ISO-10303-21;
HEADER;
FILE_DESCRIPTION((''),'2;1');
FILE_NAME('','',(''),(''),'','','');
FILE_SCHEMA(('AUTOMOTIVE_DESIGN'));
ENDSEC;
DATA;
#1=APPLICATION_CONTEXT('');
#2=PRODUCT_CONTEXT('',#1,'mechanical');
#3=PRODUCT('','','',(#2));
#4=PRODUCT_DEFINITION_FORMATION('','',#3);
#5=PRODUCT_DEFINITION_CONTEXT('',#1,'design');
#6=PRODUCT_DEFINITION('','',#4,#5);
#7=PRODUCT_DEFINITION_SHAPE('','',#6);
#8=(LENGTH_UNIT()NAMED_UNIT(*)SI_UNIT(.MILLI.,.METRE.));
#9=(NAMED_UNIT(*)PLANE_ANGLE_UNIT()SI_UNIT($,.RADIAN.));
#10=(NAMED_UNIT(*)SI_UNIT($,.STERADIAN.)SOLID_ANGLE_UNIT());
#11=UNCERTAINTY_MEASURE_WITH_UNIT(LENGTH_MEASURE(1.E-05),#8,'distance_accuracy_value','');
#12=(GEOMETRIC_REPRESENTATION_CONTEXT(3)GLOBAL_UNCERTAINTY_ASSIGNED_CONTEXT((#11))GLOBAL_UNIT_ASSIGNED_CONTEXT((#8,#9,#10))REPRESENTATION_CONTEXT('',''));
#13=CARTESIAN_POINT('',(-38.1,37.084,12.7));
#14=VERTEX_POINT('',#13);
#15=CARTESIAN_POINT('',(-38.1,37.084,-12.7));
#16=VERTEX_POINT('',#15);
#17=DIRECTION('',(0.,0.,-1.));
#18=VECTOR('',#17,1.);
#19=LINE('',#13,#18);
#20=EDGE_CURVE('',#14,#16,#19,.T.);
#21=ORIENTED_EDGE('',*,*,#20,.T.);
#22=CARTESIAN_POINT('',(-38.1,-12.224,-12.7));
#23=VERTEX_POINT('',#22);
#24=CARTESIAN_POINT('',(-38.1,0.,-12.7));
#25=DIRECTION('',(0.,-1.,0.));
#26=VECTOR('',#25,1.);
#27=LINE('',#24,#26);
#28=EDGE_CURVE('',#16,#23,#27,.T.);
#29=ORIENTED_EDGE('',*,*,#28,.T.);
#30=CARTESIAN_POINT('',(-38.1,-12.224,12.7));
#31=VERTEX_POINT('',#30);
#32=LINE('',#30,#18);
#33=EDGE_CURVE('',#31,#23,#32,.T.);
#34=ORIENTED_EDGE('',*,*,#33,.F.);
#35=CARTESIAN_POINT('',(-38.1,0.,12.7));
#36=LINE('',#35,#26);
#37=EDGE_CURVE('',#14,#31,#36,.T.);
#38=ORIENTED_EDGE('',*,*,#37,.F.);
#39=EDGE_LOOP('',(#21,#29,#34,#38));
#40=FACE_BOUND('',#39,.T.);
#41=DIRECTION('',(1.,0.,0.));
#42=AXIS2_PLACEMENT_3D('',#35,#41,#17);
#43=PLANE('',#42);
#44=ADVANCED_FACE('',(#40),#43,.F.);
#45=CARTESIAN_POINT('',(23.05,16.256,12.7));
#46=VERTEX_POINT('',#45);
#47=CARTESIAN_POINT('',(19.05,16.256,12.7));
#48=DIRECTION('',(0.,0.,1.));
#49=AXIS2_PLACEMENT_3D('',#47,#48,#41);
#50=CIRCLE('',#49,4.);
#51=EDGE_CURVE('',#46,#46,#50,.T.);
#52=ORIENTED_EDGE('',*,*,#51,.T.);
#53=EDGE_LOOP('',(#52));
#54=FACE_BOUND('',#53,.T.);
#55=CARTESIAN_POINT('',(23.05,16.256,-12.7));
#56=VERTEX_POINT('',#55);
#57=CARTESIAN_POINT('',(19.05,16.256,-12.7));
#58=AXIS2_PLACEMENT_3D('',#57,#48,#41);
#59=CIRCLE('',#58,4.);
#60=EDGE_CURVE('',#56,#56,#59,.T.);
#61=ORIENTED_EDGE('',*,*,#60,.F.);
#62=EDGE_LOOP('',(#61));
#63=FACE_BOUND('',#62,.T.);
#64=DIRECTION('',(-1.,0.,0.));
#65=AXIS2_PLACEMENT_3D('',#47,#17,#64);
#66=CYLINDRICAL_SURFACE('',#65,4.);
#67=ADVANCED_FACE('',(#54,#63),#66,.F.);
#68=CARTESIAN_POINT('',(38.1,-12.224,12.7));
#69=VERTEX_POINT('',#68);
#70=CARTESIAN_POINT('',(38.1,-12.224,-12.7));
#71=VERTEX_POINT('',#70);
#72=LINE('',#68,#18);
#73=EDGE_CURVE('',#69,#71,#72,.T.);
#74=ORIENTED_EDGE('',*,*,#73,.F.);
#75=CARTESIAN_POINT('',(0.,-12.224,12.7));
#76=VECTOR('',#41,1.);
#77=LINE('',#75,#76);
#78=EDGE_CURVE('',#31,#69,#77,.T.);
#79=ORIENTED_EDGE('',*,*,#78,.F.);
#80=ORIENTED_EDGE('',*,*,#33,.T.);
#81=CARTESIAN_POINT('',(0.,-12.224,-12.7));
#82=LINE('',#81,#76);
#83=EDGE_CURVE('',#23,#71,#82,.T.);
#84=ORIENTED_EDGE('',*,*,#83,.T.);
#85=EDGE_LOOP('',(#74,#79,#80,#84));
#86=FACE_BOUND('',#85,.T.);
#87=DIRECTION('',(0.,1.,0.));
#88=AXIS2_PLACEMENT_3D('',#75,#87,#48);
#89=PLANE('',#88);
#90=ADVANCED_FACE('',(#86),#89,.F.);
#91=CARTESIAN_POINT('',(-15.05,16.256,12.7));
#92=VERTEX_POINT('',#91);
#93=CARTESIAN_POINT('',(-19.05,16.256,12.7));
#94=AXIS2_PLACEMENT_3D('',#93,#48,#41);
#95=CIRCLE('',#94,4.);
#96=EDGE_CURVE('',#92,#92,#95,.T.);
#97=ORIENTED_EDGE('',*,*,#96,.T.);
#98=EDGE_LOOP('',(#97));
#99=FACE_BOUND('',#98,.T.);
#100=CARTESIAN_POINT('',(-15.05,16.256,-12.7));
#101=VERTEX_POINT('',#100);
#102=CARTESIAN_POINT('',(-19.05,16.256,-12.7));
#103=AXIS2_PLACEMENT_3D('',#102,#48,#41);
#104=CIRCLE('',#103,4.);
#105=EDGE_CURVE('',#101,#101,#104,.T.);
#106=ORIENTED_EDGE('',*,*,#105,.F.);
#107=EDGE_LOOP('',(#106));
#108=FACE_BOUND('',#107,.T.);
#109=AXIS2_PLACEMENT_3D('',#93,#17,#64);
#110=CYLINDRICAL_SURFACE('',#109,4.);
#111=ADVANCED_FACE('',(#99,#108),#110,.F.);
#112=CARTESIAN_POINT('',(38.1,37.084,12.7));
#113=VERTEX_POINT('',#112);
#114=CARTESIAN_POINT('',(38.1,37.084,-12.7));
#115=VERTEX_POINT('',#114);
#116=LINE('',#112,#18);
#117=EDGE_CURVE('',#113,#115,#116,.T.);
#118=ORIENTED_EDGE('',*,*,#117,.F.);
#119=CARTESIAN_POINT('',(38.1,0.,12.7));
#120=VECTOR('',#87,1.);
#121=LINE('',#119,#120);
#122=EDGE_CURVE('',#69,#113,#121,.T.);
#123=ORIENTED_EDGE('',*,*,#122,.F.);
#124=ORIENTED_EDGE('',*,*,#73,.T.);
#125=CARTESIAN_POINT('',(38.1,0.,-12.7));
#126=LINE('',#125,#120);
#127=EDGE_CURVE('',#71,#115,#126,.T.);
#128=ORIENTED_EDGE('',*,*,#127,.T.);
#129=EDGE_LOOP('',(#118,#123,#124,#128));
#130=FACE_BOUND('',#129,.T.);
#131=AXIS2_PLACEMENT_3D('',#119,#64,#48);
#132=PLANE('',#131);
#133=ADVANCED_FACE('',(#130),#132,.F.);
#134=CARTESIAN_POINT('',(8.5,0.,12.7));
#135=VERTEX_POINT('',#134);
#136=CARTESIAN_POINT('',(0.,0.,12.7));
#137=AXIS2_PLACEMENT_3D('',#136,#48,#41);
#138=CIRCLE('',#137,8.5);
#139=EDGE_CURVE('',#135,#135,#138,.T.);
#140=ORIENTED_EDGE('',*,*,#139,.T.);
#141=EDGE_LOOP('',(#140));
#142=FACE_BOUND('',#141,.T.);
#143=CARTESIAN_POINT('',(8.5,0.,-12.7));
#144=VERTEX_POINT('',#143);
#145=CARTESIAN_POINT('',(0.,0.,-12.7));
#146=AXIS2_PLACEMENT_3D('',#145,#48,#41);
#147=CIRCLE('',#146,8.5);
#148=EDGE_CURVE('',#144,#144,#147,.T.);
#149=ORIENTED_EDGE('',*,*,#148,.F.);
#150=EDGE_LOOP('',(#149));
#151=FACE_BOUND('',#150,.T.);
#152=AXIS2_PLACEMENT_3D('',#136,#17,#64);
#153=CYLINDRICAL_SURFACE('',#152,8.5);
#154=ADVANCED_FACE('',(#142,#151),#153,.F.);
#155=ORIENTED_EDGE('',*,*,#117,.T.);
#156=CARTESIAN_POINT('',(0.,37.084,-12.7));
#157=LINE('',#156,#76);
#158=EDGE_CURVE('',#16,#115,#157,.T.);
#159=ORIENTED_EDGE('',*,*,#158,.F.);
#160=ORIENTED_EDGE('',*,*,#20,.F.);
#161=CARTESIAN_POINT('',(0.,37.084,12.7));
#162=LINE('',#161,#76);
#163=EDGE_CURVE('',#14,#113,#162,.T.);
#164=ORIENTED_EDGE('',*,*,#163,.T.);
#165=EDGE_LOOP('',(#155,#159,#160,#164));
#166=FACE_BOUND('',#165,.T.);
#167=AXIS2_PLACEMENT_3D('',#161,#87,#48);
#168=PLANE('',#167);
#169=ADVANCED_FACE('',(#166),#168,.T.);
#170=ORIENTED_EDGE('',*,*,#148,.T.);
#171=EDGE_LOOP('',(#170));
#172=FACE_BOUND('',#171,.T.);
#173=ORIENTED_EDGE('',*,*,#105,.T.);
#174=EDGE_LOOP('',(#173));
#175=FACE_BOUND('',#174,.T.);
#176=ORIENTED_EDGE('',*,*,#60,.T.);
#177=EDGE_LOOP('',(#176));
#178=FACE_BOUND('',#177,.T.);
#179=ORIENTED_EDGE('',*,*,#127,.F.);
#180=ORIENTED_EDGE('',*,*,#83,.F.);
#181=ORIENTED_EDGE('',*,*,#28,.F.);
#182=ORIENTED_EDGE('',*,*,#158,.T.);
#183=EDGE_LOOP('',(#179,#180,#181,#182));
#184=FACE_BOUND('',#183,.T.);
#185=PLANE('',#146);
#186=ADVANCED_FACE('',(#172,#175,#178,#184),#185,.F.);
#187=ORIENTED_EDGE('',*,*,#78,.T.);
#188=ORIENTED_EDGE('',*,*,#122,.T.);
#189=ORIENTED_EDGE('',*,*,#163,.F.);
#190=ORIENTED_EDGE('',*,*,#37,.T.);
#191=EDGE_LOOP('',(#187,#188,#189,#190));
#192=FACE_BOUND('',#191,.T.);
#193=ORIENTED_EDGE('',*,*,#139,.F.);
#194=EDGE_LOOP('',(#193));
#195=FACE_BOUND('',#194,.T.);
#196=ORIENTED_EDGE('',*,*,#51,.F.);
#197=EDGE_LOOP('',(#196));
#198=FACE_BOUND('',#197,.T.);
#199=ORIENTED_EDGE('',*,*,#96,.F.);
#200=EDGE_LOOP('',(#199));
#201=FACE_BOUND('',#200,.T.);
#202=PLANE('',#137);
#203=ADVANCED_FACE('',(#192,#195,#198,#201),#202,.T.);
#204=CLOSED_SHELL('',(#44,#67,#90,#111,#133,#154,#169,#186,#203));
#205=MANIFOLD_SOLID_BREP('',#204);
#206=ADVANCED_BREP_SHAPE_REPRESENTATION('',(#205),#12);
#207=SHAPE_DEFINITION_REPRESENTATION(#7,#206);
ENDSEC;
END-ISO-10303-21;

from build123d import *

# Parameters (mm, degrees)
SKETCH1_R           = 4
SKETCH1_R_2         = 8.5
BOSS_EXTRUDE1_DEPTH = 12.7


with BuildPart() as part:
    # Sketch1 → Boss-Extrude1 (new, symmetric)
    with BuildSketch(Plane.XY):
        Polygon((-38.1, 37.084), (38.1, 37.084), (38.1, 12.224), (38.1, -12.224), (-38.1, -12.224), (-38.1, 12.224), align=None)
        with Locations((-19.05, 16.256)):
            Circle(SKETCH1_R, mode=Mode.SUBTRACT)
        with Locations((19.05, 16.256)):
            Circle(SKETCH1_R, mode=Mode.SUBTRACT)
        Circle(SKETCH1_R_2, mode=Mode.SUBTRACT)
    extrude(amount=BOSS_EXTRUDE1_DEPTH, both=True)


solid = part.part
